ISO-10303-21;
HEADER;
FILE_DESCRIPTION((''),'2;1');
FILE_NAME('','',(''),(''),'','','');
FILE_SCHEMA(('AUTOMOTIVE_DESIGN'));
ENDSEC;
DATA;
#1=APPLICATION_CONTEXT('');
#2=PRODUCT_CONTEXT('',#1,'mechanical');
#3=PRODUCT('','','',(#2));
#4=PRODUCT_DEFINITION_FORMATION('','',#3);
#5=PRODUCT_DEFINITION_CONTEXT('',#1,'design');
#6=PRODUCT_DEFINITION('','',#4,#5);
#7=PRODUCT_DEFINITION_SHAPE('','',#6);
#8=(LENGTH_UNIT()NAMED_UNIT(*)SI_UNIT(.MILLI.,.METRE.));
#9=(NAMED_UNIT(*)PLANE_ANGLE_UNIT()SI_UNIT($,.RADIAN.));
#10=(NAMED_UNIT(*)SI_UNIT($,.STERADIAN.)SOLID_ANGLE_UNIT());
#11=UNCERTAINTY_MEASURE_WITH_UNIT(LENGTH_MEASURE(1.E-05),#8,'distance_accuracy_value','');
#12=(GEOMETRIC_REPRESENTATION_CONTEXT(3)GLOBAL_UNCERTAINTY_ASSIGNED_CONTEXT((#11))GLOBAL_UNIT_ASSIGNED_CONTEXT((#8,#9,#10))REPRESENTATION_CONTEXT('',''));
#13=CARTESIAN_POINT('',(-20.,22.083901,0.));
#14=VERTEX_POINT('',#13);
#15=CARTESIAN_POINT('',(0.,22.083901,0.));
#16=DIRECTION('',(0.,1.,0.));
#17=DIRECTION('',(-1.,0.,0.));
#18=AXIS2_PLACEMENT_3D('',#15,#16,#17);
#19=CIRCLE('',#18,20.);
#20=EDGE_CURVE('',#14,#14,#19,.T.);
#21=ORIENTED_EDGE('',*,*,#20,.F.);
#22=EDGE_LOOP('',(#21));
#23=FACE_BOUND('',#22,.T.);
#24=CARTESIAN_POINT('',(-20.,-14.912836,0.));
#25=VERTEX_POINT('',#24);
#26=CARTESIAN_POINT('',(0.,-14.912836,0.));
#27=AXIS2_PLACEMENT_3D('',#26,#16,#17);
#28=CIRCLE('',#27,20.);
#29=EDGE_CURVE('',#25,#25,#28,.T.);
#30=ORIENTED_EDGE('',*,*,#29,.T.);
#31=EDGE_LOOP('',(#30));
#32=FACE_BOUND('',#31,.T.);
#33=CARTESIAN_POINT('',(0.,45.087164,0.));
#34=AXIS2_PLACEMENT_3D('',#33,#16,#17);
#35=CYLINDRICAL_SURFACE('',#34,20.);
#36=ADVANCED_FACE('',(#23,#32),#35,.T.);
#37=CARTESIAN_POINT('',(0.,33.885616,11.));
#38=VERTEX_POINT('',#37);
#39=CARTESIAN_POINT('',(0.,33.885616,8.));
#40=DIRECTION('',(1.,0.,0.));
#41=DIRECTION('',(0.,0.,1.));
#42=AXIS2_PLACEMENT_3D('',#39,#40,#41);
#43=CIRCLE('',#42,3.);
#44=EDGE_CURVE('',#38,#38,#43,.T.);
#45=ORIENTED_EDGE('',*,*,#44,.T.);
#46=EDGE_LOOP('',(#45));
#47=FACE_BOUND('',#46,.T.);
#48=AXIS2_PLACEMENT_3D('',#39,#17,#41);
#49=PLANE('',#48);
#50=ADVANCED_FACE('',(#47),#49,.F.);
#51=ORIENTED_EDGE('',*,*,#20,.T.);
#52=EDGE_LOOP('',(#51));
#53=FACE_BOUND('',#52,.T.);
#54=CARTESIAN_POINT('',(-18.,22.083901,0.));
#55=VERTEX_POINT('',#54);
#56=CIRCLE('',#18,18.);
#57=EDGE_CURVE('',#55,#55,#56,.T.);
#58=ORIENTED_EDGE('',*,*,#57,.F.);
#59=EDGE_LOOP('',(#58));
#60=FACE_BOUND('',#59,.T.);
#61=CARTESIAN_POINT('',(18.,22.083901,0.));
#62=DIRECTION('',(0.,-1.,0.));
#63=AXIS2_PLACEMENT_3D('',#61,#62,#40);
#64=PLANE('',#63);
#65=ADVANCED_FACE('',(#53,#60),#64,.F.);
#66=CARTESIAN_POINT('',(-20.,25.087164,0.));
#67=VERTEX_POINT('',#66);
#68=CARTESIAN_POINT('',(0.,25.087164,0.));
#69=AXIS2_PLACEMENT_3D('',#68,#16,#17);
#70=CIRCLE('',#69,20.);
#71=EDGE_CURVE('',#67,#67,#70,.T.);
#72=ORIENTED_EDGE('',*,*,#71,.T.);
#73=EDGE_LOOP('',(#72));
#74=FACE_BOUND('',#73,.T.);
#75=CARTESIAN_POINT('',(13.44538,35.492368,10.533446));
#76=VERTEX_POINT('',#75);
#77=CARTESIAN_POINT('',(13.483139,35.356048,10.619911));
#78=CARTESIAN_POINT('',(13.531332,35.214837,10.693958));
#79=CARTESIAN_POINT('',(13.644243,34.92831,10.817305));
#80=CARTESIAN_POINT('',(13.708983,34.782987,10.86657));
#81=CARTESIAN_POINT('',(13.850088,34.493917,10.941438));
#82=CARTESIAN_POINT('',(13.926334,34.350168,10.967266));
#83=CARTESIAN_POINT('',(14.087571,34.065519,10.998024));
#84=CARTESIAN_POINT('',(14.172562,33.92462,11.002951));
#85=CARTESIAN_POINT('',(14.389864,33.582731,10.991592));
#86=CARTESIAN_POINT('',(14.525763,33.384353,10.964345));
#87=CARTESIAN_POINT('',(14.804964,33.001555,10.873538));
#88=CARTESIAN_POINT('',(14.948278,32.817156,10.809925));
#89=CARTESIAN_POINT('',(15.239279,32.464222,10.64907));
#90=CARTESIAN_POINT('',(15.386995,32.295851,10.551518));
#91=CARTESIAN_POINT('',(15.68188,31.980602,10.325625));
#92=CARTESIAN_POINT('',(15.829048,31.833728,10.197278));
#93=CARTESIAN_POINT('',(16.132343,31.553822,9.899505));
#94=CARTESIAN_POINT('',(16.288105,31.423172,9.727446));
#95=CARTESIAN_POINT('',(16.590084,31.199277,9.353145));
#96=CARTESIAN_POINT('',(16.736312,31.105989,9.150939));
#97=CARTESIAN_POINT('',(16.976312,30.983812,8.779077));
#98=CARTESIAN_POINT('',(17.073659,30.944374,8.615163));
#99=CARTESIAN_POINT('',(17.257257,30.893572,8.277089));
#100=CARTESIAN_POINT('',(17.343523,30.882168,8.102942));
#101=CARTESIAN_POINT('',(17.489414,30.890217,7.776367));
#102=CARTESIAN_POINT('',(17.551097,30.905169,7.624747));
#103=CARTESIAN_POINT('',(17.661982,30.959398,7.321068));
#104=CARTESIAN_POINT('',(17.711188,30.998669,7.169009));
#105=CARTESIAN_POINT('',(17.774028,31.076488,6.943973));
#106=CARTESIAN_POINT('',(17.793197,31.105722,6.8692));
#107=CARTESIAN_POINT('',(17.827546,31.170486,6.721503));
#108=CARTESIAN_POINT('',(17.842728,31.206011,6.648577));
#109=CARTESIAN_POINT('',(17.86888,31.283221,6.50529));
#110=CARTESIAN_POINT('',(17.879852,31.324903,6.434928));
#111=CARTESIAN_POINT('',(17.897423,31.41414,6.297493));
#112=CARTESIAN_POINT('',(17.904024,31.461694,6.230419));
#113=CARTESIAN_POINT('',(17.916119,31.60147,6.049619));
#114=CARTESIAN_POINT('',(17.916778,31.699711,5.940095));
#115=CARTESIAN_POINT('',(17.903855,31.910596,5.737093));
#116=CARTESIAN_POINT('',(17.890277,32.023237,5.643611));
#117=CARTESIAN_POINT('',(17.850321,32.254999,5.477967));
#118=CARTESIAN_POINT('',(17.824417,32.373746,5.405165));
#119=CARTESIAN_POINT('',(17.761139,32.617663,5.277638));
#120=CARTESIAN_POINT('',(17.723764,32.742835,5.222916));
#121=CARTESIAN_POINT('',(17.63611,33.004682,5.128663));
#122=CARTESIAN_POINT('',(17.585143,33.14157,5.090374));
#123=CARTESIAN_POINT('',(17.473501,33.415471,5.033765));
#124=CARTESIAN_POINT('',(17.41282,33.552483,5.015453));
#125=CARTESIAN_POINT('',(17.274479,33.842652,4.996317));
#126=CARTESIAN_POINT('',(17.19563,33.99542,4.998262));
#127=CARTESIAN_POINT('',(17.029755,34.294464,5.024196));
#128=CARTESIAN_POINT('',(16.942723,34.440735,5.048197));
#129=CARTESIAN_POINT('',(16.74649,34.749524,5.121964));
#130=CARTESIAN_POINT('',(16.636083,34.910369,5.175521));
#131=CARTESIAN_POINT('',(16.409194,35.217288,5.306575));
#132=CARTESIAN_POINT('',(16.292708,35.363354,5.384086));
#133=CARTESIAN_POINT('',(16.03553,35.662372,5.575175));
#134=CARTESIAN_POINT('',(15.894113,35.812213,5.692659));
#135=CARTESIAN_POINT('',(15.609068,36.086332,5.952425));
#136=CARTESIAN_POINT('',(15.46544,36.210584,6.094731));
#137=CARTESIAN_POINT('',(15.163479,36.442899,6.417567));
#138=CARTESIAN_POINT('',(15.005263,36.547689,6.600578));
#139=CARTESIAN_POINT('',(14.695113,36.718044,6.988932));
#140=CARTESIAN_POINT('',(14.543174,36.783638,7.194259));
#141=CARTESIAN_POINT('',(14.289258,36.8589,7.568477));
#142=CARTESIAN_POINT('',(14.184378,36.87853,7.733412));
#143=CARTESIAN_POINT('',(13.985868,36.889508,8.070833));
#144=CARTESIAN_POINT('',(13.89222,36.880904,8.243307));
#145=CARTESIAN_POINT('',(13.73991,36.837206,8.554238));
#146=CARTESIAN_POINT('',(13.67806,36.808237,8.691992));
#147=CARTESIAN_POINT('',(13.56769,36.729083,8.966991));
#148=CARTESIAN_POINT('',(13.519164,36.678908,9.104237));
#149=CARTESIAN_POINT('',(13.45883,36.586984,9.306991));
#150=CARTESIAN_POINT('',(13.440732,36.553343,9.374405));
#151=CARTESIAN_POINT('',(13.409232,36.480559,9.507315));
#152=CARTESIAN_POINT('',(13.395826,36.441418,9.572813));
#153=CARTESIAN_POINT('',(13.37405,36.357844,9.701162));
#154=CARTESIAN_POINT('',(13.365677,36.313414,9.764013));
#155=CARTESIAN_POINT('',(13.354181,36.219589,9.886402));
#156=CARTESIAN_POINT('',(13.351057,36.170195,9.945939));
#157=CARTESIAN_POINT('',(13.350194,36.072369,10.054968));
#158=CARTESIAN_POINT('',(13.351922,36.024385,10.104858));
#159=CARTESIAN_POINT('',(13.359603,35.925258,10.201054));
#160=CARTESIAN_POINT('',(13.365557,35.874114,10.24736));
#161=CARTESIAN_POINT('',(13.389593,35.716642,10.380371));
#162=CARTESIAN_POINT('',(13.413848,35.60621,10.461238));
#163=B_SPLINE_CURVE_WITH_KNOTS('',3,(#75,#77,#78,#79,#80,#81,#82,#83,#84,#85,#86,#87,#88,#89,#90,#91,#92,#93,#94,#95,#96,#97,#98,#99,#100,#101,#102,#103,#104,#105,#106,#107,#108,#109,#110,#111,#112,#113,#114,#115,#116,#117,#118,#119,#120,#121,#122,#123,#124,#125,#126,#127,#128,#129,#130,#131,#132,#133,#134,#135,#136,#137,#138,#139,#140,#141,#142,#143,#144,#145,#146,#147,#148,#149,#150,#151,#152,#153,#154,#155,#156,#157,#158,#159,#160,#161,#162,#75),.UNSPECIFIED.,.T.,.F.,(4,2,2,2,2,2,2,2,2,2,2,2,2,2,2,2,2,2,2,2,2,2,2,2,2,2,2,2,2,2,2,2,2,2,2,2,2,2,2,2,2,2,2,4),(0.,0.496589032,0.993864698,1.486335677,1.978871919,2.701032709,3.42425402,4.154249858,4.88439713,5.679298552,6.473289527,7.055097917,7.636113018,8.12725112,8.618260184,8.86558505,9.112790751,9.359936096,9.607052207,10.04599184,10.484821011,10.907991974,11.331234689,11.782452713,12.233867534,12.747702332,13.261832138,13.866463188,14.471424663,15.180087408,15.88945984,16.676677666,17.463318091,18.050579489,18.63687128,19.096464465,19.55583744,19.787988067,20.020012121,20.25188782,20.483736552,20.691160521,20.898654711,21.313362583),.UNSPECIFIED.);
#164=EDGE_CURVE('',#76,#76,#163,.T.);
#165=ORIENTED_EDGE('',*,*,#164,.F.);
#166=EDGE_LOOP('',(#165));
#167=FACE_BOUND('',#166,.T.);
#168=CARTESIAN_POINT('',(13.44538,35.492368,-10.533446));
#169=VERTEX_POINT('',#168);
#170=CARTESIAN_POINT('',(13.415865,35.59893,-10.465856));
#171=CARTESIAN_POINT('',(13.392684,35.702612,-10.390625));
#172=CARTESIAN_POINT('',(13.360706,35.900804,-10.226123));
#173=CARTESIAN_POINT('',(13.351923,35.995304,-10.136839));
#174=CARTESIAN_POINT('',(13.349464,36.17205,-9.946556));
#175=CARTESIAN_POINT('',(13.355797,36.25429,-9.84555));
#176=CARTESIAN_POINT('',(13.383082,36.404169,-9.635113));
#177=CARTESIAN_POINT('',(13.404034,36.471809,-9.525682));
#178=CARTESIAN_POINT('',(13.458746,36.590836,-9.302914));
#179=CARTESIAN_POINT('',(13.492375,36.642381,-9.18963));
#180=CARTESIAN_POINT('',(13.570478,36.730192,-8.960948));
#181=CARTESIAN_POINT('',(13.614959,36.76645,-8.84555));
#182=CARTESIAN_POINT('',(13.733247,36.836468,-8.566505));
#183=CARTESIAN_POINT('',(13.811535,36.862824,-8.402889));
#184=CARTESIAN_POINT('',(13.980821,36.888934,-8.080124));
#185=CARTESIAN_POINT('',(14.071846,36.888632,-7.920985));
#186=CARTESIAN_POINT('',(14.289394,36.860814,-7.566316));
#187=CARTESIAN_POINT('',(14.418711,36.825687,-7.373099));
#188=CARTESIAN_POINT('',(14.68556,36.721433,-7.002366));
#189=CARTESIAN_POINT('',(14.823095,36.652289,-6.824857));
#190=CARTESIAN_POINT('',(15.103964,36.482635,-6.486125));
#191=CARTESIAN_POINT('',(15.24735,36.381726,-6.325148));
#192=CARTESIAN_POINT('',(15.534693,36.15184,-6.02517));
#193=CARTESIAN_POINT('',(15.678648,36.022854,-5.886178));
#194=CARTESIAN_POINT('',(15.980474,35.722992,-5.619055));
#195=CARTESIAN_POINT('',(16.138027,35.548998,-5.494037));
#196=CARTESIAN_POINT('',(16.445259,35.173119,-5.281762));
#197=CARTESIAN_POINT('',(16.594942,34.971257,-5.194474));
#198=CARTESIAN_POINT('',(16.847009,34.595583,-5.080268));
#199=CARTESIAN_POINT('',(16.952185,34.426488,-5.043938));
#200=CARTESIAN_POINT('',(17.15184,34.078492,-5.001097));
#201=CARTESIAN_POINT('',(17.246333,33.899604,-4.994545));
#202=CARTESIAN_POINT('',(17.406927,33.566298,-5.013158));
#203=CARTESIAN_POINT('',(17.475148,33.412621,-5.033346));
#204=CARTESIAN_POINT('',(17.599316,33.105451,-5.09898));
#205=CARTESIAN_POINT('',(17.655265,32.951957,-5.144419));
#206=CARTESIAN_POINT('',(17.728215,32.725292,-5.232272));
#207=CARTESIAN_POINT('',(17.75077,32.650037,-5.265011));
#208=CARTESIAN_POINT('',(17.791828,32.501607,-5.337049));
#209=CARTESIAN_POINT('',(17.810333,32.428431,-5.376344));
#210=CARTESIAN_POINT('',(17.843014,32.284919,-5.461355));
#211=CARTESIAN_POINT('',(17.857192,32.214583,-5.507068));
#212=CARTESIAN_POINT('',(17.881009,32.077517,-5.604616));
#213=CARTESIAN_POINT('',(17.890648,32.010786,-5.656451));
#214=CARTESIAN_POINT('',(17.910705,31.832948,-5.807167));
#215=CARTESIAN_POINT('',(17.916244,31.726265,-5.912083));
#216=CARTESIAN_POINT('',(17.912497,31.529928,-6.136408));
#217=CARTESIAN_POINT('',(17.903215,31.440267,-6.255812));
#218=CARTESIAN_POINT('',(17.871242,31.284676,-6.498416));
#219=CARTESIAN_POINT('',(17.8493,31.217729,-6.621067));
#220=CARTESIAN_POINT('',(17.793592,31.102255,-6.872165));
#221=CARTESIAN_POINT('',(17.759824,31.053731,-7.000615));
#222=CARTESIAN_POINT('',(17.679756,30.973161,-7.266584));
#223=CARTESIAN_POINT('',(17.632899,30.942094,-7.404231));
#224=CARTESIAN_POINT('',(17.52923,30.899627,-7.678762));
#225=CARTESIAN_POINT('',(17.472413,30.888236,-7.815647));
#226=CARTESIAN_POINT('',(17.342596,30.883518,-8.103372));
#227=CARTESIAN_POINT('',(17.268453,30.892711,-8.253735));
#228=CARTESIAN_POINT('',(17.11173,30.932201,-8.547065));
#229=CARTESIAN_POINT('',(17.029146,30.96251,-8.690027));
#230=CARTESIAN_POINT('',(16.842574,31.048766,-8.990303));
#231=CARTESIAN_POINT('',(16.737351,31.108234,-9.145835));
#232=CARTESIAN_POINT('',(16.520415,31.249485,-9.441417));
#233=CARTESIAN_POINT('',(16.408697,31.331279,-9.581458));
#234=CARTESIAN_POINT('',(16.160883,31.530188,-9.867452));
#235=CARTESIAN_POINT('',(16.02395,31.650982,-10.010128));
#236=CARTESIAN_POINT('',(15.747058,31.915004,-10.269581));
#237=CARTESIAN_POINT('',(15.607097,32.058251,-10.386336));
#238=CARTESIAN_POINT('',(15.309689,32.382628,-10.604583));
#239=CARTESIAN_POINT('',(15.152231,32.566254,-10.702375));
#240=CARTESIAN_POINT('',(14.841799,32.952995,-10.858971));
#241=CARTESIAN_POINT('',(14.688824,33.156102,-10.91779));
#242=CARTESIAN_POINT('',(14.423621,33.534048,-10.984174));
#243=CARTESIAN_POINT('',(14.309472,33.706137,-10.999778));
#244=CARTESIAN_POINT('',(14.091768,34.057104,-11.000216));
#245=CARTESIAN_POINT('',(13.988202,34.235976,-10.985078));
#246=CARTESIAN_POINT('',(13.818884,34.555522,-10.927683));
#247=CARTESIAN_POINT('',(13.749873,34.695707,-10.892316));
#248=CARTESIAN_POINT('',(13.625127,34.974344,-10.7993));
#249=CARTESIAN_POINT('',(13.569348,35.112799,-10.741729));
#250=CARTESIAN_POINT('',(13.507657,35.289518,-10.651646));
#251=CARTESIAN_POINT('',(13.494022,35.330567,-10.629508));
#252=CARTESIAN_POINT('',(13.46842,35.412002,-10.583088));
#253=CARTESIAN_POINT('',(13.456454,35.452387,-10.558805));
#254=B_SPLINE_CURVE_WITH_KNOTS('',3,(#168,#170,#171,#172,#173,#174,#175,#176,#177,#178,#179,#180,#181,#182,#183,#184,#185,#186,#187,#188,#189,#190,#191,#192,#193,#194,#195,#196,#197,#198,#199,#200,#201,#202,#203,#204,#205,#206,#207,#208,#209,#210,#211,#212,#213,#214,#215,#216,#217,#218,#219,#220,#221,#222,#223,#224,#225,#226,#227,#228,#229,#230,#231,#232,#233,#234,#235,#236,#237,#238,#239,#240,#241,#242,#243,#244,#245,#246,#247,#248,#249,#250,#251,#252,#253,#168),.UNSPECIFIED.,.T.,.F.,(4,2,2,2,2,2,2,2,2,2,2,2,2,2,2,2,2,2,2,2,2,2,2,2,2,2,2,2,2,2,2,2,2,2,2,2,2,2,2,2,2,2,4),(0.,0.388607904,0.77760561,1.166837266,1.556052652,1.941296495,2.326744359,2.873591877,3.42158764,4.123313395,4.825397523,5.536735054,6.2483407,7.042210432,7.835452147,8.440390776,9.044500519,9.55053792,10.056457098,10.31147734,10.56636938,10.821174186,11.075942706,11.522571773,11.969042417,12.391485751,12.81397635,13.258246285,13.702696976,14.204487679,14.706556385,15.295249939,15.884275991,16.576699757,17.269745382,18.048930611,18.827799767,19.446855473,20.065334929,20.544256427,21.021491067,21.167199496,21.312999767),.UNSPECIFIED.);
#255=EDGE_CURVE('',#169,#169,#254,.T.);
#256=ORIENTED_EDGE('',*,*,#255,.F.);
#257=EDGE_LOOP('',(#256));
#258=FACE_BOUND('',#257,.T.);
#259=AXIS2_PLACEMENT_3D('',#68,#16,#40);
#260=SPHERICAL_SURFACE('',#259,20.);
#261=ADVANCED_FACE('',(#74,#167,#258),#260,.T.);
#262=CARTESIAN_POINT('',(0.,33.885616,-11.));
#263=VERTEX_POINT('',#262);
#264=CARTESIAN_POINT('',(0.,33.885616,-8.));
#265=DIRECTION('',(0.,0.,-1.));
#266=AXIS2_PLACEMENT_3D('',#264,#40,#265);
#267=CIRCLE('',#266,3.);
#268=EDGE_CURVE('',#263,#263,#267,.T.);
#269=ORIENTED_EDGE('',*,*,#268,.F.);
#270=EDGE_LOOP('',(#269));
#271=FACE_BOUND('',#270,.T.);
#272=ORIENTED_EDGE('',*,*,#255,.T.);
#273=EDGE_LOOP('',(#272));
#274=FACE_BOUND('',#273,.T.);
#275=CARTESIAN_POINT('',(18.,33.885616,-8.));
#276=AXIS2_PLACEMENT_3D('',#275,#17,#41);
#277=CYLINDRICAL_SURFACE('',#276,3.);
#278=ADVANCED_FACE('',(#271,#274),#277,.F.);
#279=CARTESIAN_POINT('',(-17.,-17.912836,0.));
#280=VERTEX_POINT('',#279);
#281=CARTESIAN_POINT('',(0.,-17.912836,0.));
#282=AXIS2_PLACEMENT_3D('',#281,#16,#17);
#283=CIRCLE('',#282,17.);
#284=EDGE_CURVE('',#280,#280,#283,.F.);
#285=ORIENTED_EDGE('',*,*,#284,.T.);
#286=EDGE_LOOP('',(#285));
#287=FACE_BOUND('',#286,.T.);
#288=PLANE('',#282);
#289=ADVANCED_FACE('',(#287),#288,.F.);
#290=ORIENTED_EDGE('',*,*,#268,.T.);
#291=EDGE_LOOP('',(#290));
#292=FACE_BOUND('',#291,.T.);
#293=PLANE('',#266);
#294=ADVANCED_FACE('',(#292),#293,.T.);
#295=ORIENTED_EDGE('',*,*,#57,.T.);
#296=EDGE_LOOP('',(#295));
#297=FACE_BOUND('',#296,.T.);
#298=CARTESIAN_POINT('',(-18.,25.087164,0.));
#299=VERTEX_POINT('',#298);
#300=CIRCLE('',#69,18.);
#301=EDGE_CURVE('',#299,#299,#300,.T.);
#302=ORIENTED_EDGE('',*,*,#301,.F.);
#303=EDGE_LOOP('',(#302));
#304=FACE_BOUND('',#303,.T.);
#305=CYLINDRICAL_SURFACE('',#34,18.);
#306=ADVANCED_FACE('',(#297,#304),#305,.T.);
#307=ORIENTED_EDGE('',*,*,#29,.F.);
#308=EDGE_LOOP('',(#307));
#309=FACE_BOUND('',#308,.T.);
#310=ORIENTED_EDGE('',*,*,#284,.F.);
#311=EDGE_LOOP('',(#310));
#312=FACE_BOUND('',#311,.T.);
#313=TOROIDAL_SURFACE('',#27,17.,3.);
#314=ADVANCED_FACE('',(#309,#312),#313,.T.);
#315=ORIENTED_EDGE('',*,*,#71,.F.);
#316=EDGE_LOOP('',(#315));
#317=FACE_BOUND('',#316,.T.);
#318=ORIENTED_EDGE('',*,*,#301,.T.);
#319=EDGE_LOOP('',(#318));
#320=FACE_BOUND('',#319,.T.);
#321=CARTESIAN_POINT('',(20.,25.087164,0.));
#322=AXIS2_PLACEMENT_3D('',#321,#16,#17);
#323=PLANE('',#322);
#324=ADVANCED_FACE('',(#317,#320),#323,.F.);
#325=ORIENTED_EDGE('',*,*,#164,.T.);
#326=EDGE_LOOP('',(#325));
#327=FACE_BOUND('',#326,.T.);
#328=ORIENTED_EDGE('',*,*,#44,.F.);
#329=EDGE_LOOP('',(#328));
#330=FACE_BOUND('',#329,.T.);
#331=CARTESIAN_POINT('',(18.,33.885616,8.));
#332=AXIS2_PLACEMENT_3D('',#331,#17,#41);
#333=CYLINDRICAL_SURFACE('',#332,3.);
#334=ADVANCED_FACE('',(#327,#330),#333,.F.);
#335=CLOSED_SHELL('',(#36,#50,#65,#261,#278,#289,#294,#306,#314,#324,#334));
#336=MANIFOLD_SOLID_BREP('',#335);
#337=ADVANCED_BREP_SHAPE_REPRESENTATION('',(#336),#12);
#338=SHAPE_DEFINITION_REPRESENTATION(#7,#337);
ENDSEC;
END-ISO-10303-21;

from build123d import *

# Parameters (mm, degrees)
REDONDEO3_R           = 3
CROQUIS9_R            = 3
CORTAR_EXTRUIR3_DEPTH = 18


with BuildPart() as part:
    # Croquis4 → Revolución4 (revolve)
    with BuildSketch(Plane.XY):
        with BuildLine():
            Line((20, -17.912835745), (20, 22.083900585))
            Line((20, 22.083900585), (18, 22.083900585))
            Line((18, 22.083900585), (18, 25.087164255))
            Line((18, 25.087164255), (20, 25.087164255))
            ThreePointArc((20, 25.087164255), (14.142135624, 39.229299878), (0, 45.087164255))
            Line((0, 45.087164255), (0, -17.912835745))
            Line((0, -17.912835745), (20, -17.912835745))
        make_face()
    revolve(axis=Axis((0, 45.087164255, 0), (0, -1, 0)))

    # Redondeo3
    redondeo3_edges = [part.edges().sort_by_distance(p)[0] for p in [
        (-20, -17.912835745, 0),
    ]]
    fillet(redondeo3_edges, radius=REDONDEO3_R)

    # Croquis9 → Cortar-Extruir3 (cut)
    with BuildSketch(Plane(origin=(0, 0, 0), x_dir=(0, 0, -1), z_dir=(1, 0, 0))):
        with Locations((8, 33.885616094)):
            Circle(CROQUIS9_R)
        with Locations((-8, 33.885616094)):
            Circle(CROQUIS9_R)
    extrude(amount=CORTAR_EXTRUIR3_DEPTH, mode=Mode.SUBTRACT)


solid = part.part
